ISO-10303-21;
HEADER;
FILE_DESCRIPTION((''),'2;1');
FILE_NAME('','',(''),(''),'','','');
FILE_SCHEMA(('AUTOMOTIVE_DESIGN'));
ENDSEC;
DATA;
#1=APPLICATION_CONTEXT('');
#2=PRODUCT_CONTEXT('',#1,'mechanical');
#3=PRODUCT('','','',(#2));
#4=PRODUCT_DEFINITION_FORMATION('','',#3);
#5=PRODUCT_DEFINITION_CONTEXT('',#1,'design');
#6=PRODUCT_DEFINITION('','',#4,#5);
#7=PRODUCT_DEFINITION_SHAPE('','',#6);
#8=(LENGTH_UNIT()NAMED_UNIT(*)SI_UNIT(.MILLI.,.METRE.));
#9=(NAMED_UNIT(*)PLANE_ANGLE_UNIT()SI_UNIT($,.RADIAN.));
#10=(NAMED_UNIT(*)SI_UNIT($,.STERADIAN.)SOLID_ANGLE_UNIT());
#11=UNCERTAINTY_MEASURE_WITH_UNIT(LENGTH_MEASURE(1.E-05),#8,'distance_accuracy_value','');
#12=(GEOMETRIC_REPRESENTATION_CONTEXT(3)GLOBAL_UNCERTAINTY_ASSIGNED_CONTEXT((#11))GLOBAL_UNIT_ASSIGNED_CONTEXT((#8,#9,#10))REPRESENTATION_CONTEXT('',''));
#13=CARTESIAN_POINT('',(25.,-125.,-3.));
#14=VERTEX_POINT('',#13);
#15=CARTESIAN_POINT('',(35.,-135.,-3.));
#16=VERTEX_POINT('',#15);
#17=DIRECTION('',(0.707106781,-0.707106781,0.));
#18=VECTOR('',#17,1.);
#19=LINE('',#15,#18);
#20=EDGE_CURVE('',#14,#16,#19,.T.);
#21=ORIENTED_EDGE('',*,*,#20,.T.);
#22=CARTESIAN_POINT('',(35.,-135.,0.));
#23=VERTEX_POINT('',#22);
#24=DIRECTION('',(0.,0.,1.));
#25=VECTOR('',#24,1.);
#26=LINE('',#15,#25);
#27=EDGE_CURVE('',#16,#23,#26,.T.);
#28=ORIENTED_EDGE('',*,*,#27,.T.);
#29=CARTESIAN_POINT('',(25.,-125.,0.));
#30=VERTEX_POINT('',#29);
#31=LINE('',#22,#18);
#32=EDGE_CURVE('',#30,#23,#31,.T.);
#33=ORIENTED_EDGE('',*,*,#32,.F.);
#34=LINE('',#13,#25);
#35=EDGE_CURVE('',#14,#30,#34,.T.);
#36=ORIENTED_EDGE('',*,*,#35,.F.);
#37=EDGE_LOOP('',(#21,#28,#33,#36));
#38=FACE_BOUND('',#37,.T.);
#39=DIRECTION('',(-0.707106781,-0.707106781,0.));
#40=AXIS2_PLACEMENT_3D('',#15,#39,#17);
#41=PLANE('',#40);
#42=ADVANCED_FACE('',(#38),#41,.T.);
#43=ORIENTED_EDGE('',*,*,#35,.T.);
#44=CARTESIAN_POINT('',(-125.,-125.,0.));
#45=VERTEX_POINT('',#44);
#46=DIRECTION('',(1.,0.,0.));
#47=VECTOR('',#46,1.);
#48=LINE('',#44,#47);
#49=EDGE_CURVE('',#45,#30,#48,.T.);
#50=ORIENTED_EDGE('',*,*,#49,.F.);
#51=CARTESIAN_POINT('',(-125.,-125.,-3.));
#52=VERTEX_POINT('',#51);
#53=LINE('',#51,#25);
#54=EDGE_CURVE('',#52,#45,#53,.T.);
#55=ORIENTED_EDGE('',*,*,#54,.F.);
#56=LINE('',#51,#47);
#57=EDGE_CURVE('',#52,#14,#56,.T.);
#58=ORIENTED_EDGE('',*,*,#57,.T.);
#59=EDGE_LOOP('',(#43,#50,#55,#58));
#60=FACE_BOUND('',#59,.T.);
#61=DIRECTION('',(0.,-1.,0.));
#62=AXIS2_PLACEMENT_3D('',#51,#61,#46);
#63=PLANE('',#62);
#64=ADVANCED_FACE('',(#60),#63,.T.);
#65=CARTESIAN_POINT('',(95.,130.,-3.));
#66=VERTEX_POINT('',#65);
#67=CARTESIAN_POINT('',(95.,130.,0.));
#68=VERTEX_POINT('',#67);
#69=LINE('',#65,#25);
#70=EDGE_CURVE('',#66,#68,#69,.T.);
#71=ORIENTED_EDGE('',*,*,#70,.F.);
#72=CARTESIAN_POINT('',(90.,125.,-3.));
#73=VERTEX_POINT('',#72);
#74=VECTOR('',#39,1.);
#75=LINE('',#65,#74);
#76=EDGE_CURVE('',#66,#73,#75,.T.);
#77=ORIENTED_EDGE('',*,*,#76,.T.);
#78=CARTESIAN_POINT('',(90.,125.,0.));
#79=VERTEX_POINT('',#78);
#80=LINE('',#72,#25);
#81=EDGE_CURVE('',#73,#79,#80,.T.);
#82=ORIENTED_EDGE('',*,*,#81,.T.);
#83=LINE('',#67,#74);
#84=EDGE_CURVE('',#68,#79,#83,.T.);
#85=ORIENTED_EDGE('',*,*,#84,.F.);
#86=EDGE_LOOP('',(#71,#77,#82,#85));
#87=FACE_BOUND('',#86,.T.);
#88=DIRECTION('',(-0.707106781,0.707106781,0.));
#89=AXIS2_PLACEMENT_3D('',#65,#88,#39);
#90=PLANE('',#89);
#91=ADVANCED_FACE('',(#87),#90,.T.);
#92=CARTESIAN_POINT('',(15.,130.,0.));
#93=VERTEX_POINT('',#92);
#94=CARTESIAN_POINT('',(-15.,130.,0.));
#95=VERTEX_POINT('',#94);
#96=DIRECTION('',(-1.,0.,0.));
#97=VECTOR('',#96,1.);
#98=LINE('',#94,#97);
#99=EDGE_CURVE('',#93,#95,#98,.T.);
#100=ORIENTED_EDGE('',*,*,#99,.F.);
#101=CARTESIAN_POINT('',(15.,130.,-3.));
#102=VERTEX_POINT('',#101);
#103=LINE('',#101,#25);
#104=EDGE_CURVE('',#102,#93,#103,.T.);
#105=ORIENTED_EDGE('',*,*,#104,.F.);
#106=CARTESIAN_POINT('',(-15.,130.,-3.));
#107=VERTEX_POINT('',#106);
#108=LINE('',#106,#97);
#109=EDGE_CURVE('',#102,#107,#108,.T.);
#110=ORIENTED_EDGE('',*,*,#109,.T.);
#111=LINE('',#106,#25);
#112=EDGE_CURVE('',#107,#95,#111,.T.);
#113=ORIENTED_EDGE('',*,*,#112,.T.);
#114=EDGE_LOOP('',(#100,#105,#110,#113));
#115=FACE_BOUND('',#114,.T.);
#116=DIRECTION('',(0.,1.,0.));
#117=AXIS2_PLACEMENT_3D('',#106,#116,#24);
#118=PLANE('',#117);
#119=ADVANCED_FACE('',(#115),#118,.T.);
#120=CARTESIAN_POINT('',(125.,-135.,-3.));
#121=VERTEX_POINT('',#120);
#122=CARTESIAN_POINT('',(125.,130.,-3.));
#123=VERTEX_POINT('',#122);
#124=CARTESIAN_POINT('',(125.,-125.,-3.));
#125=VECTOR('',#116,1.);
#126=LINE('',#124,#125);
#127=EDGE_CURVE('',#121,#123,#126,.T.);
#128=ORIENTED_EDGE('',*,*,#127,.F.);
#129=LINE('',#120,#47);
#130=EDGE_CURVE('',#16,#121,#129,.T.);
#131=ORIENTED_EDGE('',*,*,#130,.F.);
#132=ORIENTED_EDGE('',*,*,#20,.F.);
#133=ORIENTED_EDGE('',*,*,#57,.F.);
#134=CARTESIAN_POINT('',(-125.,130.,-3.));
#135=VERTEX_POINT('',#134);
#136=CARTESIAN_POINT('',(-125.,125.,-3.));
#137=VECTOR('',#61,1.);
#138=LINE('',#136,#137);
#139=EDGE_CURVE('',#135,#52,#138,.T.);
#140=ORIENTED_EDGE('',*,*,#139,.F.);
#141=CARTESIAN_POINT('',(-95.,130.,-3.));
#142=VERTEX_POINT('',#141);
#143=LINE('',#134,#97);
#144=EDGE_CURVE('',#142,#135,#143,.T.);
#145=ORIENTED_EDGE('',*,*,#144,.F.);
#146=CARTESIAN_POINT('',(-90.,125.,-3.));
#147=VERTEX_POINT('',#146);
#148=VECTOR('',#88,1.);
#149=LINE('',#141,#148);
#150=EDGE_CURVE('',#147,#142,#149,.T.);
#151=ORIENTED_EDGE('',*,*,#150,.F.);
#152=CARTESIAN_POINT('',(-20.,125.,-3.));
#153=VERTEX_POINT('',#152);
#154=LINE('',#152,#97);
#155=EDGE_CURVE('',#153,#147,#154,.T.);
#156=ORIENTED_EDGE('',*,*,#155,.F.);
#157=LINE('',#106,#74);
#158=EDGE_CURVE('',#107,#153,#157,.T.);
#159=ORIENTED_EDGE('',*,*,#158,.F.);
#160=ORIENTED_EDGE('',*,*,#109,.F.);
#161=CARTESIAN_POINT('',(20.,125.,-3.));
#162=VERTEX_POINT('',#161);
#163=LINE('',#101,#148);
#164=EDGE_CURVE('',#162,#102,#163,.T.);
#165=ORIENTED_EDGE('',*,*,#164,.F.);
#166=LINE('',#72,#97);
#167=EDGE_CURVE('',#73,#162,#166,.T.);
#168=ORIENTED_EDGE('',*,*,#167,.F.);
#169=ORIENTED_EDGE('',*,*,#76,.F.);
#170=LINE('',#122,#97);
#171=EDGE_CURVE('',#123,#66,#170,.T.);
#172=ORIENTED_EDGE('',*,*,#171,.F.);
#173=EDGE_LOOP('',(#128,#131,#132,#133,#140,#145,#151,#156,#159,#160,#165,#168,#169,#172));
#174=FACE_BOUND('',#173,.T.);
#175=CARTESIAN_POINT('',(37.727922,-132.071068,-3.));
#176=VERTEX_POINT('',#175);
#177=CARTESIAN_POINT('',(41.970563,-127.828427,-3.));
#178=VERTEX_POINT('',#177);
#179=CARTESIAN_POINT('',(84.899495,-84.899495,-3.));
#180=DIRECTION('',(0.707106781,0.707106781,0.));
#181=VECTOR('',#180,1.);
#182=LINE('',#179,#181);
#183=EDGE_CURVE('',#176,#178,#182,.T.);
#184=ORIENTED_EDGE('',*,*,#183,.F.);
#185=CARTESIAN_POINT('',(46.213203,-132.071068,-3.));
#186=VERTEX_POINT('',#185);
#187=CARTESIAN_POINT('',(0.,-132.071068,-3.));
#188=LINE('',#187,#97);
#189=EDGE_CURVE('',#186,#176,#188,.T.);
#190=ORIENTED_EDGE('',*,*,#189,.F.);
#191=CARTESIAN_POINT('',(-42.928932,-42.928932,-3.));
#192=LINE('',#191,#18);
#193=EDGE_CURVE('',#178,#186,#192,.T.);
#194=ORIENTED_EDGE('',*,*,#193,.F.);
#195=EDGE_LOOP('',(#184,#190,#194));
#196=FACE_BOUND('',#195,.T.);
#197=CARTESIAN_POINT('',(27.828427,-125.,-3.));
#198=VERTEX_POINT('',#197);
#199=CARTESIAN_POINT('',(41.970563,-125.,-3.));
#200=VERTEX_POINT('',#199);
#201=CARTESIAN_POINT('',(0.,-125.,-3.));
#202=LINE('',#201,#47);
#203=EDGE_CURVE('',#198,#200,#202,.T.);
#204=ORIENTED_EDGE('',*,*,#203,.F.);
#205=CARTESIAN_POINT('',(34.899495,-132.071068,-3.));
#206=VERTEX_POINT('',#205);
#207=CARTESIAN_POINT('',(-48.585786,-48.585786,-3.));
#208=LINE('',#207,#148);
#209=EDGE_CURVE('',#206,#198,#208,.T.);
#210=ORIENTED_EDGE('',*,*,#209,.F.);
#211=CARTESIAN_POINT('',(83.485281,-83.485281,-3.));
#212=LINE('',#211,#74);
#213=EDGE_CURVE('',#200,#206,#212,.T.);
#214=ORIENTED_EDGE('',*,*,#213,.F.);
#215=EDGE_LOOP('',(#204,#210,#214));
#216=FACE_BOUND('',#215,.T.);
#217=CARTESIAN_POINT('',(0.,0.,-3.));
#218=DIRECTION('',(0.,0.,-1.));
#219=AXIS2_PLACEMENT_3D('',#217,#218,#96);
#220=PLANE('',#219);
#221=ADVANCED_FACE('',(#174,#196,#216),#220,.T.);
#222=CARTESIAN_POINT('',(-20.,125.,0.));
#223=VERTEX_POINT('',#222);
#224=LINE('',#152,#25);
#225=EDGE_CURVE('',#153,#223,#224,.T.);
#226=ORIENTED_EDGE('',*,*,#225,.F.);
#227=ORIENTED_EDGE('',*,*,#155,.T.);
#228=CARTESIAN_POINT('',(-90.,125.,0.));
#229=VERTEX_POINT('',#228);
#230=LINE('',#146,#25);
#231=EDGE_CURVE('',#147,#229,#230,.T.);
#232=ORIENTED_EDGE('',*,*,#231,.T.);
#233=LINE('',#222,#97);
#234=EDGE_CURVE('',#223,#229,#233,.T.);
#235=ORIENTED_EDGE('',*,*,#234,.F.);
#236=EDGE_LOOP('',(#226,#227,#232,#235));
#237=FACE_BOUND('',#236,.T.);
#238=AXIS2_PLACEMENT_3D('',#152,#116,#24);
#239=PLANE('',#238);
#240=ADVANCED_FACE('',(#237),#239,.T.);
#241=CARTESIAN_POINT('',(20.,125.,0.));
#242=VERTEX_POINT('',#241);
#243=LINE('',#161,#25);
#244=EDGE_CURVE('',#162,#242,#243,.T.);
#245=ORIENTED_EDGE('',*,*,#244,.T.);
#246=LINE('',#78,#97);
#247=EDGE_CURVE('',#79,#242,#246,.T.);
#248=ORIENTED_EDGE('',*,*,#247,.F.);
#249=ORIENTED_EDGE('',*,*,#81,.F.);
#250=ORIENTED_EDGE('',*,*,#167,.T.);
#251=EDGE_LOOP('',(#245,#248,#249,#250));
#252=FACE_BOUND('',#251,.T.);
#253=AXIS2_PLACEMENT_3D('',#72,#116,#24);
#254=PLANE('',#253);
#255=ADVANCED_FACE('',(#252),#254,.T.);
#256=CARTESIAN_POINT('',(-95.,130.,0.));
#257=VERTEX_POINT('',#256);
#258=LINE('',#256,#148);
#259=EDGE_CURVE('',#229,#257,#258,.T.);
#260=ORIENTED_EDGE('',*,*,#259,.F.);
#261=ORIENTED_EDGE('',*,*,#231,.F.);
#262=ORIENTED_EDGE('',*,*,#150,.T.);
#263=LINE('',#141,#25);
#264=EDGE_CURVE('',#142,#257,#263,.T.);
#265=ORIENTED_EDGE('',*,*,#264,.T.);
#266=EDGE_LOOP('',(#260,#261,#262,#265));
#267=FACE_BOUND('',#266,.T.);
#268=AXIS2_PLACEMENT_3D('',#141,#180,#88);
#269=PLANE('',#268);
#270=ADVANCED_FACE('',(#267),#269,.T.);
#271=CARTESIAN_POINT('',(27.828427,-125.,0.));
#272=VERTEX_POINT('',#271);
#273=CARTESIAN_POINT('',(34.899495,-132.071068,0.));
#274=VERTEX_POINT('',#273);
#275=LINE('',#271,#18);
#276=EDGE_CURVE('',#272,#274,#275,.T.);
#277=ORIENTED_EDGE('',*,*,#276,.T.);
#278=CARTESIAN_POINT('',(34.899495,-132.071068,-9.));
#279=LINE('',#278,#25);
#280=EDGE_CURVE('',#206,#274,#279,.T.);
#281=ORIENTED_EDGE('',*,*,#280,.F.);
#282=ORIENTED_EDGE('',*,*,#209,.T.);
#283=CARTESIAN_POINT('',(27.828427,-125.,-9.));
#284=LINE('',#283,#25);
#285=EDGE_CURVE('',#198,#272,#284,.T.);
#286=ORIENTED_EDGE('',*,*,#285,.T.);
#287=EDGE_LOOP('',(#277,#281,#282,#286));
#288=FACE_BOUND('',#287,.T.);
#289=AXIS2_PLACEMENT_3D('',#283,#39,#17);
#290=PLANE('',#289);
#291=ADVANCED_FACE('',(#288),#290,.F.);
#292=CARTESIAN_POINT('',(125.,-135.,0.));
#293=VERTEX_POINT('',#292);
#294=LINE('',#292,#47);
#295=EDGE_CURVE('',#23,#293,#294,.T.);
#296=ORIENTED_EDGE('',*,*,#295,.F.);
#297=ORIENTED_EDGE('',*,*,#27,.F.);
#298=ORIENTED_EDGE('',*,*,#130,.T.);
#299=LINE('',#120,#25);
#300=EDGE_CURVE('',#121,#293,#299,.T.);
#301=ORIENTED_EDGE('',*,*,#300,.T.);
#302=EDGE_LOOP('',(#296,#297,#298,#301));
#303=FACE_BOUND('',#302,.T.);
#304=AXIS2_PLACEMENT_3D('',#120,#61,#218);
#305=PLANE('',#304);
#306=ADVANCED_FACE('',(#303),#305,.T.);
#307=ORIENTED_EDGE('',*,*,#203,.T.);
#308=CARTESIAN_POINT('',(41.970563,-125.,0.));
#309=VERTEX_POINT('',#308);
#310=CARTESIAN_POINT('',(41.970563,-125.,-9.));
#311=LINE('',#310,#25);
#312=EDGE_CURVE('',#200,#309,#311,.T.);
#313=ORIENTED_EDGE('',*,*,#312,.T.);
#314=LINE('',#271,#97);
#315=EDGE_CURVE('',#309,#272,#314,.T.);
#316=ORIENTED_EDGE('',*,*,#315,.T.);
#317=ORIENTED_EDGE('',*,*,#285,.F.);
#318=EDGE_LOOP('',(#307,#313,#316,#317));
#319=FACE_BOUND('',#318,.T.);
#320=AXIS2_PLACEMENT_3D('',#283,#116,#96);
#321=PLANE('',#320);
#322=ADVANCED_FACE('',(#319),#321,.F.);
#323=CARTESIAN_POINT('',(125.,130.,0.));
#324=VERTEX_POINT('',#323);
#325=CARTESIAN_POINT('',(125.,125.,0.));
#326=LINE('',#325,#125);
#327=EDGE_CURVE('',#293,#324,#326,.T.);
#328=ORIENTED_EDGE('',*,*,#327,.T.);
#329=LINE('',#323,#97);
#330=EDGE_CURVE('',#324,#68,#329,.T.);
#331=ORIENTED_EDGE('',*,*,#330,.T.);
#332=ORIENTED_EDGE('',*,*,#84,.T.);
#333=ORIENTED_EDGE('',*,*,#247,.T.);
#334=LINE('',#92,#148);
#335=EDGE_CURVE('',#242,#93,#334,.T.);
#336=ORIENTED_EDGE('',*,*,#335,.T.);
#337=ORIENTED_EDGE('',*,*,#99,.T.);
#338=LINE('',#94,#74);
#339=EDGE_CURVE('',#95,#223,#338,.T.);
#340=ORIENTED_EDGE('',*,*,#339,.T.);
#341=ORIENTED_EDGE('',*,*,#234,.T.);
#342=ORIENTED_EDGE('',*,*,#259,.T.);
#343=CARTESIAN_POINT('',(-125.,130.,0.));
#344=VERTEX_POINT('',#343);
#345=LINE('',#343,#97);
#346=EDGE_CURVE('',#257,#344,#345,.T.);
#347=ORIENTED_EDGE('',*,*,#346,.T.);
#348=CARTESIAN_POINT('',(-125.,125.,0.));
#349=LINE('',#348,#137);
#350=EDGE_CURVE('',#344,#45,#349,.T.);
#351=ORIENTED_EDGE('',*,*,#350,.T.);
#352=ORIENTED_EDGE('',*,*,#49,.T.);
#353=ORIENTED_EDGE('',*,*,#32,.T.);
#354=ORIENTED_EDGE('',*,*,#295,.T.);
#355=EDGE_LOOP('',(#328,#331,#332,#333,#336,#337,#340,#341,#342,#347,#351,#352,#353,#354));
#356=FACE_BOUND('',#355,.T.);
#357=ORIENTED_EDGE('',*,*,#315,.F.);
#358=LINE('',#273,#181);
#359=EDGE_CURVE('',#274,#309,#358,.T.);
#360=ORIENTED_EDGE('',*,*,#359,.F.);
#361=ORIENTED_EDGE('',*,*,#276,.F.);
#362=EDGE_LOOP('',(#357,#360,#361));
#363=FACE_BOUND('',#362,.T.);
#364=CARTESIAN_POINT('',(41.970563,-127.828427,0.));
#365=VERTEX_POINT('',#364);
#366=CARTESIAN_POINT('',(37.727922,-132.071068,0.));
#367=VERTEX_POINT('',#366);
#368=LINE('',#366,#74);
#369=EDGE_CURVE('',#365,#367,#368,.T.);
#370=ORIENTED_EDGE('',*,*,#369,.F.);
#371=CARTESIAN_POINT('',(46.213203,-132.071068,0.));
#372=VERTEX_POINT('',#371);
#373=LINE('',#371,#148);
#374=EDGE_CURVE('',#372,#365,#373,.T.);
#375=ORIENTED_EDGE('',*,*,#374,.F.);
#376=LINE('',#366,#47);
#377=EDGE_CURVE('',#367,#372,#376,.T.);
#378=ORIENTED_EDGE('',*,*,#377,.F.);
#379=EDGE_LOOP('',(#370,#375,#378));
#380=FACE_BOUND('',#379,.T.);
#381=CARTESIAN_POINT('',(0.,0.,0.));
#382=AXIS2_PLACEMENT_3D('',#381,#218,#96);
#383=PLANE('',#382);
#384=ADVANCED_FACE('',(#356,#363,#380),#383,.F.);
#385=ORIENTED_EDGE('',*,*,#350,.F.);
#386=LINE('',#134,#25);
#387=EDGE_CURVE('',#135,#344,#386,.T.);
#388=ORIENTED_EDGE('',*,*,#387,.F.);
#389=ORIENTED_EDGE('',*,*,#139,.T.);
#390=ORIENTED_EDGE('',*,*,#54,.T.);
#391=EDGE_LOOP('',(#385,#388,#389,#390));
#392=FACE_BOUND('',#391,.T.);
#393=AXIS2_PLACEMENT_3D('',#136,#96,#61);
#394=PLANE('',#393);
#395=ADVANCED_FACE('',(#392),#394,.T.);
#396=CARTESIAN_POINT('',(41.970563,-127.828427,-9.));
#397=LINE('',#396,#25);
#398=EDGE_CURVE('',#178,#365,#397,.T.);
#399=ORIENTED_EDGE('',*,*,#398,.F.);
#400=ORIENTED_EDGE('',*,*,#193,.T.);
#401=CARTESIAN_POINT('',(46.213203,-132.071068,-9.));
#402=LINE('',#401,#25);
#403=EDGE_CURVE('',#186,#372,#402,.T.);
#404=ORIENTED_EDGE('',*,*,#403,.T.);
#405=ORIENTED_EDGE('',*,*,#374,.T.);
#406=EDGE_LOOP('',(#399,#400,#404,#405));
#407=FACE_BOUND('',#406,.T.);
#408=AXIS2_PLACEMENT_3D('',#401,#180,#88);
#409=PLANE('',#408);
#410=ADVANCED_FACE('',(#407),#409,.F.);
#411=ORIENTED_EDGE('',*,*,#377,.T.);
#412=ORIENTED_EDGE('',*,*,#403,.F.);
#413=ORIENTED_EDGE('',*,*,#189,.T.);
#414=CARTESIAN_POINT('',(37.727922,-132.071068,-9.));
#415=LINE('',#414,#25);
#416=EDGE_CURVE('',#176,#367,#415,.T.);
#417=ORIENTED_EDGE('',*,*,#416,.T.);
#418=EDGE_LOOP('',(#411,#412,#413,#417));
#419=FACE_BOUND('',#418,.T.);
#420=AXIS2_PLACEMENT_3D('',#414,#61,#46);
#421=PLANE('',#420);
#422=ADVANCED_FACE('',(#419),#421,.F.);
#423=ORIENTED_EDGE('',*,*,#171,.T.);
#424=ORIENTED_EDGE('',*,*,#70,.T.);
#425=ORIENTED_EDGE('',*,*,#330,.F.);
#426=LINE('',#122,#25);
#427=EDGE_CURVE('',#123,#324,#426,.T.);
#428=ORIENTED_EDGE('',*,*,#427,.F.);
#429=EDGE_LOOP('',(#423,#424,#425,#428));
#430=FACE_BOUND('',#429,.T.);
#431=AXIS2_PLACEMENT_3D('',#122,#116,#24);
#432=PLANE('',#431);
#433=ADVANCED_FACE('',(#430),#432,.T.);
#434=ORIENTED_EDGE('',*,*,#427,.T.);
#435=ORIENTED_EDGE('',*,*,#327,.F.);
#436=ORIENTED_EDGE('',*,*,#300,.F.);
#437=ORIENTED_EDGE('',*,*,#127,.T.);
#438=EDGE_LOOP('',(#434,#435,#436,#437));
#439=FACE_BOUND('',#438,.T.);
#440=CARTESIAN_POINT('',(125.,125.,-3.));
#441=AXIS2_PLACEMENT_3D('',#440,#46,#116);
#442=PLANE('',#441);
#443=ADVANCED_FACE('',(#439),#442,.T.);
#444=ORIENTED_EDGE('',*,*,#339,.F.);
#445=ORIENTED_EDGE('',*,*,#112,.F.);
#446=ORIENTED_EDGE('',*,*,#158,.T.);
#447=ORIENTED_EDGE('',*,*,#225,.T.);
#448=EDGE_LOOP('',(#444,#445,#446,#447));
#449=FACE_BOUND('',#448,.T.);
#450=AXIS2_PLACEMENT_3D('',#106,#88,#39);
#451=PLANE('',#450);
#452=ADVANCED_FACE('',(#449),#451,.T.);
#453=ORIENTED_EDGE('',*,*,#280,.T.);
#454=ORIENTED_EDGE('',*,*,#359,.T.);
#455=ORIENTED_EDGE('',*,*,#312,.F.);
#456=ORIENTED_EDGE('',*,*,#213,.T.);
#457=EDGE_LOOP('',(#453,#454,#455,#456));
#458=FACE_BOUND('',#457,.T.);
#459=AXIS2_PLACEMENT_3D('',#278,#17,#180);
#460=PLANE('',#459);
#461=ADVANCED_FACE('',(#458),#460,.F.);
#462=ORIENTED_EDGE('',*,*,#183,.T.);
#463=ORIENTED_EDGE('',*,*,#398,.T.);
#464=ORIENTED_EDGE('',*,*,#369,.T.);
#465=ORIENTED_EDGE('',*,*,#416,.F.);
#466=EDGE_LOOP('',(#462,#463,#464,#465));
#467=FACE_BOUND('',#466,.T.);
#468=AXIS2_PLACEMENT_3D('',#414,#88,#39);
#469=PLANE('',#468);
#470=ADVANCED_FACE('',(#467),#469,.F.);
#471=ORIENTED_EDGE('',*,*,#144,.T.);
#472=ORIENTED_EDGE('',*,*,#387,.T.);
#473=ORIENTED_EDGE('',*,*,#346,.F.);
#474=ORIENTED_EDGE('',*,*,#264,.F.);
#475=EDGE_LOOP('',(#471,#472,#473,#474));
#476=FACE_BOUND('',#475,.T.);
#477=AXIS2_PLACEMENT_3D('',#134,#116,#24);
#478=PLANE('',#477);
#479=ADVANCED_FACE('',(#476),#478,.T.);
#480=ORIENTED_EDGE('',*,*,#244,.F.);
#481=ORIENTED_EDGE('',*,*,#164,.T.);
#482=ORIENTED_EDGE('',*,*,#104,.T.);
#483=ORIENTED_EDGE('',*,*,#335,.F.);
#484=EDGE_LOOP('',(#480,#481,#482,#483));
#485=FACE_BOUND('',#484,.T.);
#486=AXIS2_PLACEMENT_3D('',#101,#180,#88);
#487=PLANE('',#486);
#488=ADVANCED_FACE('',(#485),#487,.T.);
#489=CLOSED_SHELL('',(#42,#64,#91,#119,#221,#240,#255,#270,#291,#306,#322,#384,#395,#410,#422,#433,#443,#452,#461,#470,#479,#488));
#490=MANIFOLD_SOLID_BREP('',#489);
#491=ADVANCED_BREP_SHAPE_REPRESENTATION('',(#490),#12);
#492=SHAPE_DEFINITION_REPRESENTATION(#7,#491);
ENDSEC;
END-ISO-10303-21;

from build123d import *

# Parameters (mm, degrees)
BOSS_EXTRUDE5_DEPTH = 3
CUT_EXTRUDE1_DEPTH  = 9


with BuildPart() as part:
    # Sketch3 → Boss-Extrude5 (new body)
    with BuildSketch(Plane.XY):
        Polygon((-125, 125), (-125, -125), (25, -125), (35, -135), (125, -135), (125, -125), (125, 125), (125, 130), (95, 130), (90, 125), (20, 125), (15, 130), (-15, 130), (-20, 125), (-90, 125), (-95, 130), (-125, 130), align=None)
    extrude(amount=-BOSS_EXTRUDE5_DEPTH)

    # Sketch4 → Cut-Extrude1 (cut)
    with BuildSketch(Plane.XY):
        Polygon((34.899494937, -132.071067812), (41.970562748, -125), (27.828427125, -125), align=None)
        Polygon((37.727922061, -132.071067812), (46.213203436, -132.071067812), (41.970562748, -127.828427125), align=None)
    extrude(amount=-CUT_EXTRUDE1_DEPTH, mode=Mode.SUBTRACT)


solid = part.part
